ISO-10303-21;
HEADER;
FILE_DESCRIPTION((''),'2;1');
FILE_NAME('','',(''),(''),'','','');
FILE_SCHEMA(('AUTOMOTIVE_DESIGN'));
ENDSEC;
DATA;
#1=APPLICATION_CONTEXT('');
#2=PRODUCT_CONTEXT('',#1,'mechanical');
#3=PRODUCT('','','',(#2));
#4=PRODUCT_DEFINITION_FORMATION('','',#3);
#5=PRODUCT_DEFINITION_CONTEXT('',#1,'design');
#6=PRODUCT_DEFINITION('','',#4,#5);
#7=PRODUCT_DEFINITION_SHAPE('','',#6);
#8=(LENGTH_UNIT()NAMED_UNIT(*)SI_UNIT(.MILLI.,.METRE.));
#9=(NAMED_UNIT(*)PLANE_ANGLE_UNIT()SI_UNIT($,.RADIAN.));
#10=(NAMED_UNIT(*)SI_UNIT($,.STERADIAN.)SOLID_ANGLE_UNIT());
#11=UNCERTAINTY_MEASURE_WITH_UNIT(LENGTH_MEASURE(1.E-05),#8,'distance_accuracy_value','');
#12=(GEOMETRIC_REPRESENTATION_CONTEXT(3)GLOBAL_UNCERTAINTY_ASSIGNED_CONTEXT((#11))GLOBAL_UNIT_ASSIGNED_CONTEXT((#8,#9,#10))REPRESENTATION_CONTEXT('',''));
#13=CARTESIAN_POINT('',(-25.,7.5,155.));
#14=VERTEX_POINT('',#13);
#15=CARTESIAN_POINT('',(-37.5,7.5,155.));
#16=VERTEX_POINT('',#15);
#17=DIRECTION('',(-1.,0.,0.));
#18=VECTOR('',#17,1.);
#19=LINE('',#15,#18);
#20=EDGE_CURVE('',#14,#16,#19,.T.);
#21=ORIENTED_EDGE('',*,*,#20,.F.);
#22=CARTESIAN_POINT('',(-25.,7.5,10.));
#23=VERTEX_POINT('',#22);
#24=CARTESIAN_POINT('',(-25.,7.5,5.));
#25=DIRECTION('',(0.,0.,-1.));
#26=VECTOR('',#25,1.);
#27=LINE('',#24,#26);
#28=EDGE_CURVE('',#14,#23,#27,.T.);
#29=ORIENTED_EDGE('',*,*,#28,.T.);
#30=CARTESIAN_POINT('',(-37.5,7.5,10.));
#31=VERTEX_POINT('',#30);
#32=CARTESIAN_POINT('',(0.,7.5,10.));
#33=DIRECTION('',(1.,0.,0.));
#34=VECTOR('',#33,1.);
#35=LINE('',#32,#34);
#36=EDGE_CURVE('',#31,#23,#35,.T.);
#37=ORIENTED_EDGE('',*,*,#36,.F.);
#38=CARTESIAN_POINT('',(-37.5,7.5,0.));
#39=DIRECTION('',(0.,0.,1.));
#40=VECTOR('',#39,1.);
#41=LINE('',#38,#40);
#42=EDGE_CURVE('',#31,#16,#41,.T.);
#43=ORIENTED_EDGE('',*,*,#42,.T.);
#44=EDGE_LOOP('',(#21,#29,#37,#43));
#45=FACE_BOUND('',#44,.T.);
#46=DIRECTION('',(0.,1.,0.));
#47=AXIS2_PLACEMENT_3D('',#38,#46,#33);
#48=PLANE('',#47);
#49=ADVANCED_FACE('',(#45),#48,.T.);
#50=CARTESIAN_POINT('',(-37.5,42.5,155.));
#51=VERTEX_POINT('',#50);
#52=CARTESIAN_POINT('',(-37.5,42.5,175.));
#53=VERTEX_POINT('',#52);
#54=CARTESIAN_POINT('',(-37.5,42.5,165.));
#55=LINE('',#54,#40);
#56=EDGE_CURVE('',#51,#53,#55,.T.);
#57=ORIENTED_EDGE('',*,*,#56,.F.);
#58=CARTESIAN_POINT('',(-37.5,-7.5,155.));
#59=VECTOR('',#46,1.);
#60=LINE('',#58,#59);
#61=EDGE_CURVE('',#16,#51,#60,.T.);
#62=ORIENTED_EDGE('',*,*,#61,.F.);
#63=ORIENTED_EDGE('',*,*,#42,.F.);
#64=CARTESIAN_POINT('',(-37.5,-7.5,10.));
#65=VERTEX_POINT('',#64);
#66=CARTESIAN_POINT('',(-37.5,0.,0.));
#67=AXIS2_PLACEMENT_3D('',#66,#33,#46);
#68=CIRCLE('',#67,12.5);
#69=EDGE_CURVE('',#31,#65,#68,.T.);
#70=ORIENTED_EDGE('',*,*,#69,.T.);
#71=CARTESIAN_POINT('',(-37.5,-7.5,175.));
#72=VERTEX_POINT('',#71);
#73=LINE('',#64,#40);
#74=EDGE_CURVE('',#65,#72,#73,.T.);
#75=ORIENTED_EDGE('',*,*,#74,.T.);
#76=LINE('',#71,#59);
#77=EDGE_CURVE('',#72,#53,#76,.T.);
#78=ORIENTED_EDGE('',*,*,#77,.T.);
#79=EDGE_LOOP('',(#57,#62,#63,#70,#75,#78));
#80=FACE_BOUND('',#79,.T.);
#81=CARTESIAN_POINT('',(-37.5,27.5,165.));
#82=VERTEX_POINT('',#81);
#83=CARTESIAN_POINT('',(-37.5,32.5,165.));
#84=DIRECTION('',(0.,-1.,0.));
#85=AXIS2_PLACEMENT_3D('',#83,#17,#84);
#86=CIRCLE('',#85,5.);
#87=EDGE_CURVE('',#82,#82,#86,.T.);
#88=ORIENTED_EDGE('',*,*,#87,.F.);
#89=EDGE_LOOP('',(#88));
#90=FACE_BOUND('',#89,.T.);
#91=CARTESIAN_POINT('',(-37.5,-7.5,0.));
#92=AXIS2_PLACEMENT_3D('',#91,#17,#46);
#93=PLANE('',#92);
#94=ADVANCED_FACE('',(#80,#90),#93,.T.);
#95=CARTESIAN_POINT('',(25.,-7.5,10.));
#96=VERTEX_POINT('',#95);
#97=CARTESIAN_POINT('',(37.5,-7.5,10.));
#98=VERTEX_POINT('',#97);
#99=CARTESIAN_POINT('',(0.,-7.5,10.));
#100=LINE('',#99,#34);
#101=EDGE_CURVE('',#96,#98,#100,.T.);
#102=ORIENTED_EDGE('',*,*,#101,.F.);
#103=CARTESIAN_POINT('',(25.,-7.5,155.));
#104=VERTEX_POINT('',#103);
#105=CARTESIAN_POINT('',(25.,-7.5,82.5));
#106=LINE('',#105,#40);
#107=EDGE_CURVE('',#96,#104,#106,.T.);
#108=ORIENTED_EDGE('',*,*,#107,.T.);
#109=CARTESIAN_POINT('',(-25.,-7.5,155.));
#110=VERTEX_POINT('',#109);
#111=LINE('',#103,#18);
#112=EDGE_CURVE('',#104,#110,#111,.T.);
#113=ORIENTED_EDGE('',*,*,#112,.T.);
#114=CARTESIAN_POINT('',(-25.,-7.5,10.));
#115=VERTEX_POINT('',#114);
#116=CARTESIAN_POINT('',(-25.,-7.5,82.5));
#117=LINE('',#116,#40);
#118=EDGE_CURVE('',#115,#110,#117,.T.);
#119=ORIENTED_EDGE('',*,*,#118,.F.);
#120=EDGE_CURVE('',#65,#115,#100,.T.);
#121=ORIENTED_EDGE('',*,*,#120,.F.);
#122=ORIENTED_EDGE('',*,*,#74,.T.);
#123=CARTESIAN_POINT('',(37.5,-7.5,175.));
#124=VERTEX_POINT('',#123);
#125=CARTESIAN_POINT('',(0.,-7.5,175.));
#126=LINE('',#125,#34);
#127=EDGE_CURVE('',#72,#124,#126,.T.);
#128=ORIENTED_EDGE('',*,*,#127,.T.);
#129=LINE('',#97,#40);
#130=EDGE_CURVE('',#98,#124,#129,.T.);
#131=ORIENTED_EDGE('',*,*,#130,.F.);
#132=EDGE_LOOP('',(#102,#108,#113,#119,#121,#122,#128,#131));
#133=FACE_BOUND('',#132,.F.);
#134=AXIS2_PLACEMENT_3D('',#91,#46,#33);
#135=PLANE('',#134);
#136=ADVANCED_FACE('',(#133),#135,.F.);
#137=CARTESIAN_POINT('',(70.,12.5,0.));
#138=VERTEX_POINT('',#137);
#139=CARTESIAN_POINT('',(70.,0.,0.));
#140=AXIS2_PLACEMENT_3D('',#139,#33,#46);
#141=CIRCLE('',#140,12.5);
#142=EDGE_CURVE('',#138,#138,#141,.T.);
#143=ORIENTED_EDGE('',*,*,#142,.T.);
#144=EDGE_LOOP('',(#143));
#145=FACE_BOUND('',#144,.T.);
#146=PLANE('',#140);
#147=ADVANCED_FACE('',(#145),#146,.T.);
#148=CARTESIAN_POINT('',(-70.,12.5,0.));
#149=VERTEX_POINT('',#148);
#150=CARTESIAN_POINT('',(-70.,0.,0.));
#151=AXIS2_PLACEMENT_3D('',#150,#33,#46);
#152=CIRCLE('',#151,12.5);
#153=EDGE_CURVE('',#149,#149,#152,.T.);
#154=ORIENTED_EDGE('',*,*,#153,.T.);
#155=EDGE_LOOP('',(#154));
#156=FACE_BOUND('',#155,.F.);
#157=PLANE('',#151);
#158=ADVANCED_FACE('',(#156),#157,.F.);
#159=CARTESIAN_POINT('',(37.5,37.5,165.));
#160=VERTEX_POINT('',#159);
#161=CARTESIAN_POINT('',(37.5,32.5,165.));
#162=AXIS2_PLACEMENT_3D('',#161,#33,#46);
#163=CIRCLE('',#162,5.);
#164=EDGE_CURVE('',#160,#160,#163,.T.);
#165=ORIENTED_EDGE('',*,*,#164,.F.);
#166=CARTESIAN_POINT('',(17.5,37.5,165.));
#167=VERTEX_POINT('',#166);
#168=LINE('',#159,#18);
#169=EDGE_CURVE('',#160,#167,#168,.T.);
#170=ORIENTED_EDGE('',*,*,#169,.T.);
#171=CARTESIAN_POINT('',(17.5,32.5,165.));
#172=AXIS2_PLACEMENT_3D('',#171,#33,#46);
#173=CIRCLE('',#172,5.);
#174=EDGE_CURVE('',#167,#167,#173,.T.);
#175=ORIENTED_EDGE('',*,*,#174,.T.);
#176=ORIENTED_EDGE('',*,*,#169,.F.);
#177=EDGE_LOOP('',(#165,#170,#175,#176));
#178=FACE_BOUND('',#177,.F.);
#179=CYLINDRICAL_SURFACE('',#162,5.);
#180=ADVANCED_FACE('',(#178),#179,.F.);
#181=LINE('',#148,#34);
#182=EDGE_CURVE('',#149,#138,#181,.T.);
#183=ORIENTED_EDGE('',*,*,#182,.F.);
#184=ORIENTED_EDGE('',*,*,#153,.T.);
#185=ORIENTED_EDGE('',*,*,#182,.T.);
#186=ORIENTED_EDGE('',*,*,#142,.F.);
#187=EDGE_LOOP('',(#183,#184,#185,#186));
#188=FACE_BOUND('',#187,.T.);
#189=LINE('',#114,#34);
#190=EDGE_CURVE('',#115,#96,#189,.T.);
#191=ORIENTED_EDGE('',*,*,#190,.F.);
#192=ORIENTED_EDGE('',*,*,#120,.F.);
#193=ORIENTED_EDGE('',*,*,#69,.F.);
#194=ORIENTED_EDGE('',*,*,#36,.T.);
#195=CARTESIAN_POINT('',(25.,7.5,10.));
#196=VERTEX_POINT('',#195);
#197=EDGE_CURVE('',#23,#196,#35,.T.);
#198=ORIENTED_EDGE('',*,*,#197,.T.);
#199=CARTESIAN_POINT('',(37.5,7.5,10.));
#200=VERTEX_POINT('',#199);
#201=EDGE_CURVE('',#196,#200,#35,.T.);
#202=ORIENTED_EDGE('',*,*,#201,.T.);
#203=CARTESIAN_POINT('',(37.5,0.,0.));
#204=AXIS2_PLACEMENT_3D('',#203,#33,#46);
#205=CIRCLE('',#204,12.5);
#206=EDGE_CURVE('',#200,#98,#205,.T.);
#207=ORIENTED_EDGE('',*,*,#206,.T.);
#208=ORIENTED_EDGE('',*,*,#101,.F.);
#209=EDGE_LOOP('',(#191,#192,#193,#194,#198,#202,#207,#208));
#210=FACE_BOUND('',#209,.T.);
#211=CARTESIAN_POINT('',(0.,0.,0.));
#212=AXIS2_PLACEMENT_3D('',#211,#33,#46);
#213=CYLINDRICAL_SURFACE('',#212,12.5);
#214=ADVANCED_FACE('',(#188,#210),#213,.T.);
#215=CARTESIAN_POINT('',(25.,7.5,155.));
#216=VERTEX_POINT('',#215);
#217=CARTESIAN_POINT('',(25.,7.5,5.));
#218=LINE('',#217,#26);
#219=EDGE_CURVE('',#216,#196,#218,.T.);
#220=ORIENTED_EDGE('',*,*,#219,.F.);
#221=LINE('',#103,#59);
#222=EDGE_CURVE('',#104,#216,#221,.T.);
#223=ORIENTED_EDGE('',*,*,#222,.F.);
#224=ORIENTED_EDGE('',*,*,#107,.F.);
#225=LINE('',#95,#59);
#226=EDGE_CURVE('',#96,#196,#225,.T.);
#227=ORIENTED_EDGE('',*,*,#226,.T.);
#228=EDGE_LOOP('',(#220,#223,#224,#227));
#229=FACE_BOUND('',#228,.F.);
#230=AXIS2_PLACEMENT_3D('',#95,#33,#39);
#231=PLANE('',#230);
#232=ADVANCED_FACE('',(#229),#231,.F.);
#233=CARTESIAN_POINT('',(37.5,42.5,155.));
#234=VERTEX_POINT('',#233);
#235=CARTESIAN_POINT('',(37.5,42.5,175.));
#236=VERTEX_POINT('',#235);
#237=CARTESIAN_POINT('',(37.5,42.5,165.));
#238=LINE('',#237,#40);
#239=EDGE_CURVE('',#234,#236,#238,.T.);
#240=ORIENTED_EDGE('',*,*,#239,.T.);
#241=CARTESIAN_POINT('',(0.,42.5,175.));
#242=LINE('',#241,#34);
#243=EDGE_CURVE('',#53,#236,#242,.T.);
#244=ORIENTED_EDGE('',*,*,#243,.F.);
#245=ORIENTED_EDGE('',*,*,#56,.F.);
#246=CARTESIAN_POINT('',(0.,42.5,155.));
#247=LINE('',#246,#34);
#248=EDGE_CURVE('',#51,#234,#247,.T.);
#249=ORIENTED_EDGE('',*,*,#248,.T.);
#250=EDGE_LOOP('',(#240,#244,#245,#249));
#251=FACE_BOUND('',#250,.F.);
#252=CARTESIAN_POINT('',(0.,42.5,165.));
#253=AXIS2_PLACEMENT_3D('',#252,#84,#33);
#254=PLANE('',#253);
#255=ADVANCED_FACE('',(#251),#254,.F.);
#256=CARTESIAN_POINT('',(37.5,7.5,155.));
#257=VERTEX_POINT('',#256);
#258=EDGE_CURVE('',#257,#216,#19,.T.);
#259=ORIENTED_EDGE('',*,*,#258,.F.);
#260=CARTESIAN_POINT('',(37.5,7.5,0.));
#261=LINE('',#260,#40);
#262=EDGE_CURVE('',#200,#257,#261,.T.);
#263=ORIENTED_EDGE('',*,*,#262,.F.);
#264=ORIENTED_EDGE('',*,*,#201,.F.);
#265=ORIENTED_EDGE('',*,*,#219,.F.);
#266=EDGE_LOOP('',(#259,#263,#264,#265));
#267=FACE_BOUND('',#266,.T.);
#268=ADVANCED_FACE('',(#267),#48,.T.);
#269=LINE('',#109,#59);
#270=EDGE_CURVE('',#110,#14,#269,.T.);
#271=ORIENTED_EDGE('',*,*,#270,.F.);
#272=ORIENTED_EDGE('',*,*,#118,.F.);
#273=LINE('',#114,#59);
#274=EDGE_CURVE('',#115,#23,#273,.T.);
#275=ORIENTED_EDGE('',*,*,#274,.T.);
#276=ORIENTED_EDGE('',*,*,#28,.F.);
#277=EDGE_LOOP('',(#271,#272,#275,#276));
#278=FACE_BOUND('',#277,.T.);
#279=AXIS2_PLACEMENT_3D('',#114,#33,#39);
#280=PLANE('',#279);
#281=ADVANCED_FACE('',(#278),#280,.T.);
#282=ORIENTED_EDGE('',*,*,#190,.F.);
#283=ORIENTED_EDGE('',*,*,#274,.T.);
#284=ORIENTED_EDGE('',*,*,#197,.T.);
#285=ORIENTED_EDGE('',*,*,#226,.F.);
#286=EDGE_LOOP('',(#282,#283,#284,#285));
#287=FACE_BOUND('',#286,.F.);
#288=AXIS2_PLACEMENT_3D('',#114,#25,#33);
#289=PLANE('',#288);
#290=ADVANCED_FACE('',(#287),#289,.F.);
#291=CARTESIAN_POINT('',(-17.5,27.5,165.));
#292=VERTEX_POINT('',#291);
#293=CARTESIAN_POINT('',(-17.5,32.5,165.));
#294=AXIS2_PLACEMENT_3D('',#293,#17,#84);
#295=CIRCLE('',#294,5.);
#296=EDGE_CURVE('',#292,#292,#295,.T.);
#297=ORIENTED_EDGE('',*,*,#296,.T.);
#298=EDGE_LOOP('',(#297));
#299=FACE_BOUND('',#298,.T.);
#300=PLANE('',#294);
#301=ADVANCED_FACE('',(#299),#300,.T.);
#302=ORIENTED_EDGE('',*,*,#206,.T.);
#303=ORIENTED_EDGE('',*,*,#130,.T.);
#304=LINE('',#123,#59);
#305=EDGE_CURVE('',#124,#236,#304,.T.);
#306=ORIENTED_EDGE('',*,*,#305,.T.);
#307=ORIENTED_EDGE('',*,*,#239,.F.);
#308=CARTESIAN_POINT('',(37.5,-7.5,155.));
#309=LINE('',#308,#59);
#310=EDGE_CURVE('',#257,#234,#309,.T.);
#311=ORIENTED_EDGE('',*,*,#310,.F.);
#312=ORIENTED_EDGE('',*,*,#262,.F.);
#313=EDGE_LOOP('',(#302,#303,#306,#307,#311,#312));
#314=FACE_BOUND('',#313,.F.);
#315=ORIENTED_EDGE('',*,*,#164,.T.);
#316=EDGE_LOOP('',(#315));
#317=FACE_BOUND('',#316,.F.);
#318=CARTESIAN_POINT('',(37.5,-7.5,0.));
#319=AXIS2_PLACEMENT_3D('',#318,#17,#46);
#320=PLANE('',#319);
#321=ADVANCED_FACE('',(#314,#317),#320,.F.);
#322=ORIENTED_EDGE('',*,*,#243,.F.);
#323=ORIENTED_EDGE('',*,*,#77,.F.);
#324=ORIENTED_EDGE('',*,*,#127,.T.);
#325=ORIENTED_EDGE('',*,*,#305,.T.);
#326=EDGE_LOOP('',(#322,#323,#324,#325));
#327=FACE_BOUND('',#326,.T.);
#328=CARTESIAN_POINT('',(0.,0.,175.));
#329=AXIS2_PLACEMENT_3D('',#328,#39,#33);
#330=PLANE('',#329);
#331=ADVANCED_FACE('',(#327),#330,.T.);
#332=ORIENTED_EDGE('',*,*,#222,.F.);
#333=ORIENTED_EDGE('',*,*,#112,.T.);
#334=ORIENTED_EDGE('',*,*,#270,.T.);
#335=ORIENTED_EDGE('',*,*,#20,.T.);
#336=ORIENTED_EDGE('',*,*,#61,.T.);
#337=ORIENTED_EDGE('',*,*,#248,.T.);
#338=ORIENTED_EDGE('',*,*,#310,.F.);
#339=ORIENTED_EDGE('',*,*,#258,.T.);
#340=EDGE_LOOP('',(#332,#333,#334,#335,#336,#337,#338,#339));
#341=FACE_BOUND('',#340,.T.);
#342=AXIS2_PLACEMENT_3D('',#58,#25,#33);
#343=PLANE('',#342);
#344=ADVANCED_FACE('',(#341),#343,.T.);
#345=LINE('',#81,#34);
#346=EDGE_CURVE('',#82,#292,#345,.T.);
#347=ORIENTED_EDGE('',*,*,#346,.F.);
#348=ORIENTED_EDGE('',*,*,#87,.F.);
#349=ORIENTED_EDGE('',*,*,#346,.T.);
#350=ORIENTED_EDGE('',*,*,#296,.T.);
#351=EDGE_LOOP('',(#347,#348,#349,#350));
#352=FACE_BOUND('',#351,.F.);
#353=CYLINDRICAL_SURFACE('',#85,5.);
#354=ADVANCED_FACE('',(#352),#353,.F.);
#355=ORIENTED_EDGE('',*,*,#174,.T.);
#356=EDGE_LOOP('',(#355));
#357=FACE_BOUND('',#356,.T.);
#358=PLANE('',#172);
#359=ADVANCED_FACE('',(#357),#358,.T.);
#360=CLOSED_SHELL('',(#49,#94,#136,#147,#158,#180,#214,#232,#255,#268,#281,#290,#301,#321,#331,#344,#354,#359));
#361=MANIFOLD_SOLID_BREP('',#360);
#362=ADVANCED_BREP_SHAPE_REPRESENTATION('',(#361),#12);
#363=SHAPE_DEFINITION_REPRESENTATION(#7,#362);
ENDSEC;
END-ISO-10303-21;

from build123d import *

# Parameters (mm, degrees)
F0_R      = 12.5
F1_DEPTH  = 70
F2_W      = 75
F2_H      = 15
F3_DEPTH  = 175
F4_W      = 25
F4_H      = 145
F5_DEPTH  = 500
F6_W      = 75
F6_H      = 20
F7_DEPTH  = 50
F8_R      = 5
F9_DEPTH  = 20
F10_R     = 5
F11_DEPTH = 20


with BuildPart() as f1:
    # F0 (on Right) → F1 (new body, symmetric)
    with BuildSketch(Plane.YZ):
        Circle(F0_R)
    extrude(amount=F1_DEPTH, both=True)

    # F2 (on Top) → F3 (join)
    with BuildSketch(Plane.XY):
        Rectangle(F2_W, F2_H)
    extrude(amount=F3_DEPTH)

    # F4 (on face) → F5 (cut)
    with BuildSketch(Plane.XZ.offset(7.5)):
        with Locations((-12.5, 82.5)):
            Rectangle(F4_W, F4_H)
        with Locations((12.5, 82.5)):
            Rectangle(F4_W, F4_H)
    extrude(amount=-F5_DEPTH, mode=Mode.SUBTRACT)

    # F6 (on face) → F7 (join)
    with BuildSketch(Plane.XZ.offset(7.5)):
        with Locations((0, 165)):
            Rectangle(F6_W, F6_H)
    extrude(amount=-F7_DEPTH)

    # F8 (on face) → F9 (cut)
    with BuildSketch(Plane(origin=(-37.5, 0, 0), x_dir=(0, -1, 0), z_dir=(-1, 0, 0))):
        with Locations((-32.5, 165)):
            Circle(F8_R)
    extrude(amount=-F9_DEPTH, mode=Mode.SUBTRACT)

    # F10 (on face) → F11 (cut)
    with BuildSketch(Plane.YZ.offset(37.5)):
        with Locations((32.5, 165)):
            Circle(F10_R)
    extrude(amount=-F11_DEPTH, mode=Mode.SUBTRACT)


solid = f1.part
